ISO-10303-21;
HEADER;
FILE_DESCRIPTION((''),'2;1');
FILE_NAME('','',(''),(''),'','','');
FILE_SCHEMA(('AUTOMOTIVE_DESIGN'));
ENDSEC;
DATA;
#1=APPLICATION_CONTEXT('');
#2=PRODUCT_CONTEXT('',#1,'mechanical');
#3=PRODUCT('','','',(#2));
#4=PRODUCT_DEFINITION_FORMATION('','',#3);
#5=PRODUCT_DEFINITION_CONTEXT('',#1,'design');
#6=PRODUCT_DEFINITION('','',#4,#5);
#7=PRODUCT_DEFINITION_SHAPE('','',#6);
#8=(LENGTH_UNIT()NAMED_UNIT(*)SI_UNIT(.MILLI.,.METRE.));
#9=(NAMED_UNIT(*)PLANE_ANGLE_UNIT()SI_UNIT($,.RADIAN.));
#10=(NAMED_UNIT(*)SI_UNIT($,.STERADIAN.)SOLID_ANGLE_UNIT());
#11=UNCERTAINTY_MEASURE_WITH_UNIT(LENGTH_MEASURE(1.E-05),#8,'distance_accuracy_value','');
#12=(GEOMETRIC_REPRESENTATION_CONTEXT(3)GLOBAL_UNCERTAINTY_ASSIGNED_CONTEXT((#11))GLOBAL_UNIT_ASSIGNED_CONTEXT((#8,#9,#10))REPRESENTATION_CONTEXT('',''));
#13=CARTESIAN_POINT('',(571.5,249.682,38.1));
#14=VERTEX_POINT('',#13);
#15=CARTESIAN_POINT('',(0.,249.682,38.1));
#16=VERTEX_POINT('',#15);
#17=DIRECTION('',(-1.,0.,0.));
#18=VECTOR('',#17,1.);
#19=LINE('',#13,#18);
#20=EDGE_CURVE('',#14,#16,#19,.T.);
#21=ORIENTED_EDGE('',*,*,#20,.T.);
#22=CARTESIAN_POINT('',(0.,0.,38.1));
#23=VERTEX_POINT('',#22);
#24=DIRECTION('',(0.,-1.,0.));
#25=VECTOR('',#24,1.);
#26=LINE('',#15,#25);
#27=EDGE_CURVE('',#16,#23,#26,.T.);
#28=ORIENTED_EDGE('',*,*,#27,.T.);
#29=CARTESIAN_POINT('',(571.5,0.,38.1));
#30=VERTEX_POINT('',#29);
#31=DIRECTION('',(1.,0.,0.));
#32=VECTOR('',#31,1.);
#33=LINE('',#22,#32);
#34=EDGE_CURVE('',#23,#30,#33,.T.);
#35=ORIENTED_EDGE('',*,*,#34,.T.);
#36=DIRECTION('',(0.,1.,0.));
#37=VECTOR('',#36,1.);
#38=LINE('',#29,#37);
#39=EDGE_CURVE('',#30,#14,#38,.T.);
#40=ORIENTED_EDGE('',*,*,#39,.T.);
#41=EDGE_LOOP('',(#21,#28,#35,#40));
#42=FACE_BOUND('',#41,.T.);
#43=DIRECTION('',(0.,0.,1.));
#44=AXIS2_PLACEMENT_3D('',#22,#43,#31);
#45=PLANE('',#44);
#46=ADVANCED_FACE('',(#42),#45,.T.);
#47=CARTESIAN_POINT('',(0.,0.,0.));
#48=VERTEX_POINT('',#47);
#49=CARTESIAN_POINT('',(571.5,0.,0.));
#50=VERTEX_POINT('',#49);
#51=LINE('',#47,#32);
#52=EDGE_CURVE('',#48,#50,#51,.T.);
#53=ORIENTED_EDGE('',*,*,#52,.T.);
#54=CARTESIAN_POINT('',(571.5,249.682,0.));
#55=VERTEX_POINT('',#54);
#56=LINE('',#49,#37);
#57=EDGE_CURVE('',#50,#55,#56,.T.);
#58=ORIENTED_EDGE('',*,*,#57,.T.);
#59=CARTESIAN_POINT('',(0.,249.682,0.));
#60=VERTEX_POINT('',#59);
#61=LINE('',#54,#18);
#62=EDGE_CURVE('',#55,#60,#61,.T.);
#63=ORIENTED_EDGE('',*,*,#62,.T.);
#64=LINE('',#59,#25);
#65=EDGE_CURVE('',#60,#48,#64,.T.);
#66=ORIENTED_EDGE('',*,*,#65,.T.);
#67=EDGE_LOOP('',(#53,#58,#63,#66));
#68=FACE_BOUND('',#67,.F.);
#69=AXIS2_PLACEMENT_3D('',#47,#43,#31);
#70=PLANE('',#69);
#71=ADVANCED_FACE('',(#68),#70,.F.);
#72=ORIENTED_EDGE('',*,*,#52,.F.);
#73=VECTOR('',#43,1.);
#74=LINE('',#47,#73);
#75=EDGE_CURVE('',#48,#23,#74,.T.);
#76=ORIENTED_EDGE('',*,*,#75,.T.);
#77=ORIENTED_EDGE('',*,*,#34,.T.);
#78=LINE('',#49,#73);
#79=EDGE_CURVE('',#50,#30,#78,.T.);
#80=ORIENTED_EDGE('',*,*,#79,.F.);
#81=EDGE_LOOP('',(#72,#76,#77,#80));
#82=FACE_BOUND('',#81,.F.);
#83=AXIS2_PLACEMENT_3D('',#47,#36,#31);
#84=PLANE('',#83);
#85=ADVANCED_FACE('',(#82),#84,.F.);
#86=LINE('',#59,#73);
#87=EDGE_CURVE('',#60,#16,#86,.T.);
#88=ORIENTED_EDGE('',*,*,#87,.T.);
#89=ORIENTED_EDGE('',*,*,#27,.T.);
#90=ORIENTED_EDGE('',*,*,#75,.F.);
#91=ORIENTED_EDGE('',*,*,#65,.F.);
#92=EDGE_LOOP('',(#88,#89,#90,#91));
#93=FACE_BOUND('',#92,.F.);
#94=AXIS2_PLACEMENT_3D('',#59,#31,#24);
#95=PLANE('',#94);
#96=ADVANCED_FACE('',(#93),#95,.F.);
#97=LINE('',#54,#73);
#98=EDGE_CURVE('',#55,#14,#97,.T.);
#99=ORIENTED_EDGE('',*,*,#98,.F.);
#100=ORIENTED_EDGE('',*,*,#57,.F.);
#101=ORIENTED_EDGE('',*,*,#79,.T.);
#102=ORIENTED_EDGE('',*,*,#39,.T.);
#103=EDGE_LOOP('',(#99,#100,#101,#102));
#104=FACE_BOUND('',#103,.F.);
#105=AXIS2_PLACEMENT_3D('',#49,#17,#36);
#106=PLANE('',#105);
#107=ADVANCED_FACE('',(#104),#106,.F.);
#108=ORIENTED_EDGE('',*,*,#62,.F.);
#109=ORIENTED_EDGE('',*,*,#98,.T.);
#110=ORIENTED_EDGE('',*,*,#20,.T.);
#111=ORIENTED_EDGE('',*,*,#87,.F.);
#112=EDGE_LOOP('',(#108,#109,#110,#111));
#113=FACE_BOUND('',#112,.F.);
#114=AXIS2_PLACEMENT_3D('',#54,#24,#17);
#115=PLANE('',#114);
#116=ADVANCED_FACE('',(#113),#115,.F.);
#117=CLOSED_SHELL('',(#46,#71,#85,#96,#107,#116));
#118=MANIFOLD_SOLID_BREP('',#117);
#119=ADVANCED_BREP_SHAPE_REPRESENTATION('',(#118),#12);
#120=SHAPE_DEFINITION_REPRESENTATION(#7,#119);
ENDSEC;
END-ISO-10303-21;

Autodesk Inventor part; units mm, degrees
ref_plane "YZ Plane" through (0, 0, 0) normal (1, 0, 0) x (0, 1, 0)
ref_plane "XZ Plane" through (0, 0, 0) normal (0, 1, 0) x (-1, 0, 0)
ref_plane "XY Plane" through (0, 0, 0) normal (0, 0, 1) x (1, 0, 0)
sketch "Sketch1" plane through (0, 0, 0) normal (0, 0, 1) x (1, 0, 0)
  line L0 (0, 0) -> (571.5, 0)
  line L1 (571.5, 0) -> (571.5, 249.682)
  line L2 (571.5, 249.682) -> (0, 249.682)
  line L3 (0, 249.682) -> (0, 0)
  dimension "d2" = 249.682
  dimension "d3" = 571.5
extrude "Extrusion1" add sketch "Sketch1" along normal blind 38.1
properties part number "Block_With_Width_22.5_Inches" material "Wood (Birch)"
